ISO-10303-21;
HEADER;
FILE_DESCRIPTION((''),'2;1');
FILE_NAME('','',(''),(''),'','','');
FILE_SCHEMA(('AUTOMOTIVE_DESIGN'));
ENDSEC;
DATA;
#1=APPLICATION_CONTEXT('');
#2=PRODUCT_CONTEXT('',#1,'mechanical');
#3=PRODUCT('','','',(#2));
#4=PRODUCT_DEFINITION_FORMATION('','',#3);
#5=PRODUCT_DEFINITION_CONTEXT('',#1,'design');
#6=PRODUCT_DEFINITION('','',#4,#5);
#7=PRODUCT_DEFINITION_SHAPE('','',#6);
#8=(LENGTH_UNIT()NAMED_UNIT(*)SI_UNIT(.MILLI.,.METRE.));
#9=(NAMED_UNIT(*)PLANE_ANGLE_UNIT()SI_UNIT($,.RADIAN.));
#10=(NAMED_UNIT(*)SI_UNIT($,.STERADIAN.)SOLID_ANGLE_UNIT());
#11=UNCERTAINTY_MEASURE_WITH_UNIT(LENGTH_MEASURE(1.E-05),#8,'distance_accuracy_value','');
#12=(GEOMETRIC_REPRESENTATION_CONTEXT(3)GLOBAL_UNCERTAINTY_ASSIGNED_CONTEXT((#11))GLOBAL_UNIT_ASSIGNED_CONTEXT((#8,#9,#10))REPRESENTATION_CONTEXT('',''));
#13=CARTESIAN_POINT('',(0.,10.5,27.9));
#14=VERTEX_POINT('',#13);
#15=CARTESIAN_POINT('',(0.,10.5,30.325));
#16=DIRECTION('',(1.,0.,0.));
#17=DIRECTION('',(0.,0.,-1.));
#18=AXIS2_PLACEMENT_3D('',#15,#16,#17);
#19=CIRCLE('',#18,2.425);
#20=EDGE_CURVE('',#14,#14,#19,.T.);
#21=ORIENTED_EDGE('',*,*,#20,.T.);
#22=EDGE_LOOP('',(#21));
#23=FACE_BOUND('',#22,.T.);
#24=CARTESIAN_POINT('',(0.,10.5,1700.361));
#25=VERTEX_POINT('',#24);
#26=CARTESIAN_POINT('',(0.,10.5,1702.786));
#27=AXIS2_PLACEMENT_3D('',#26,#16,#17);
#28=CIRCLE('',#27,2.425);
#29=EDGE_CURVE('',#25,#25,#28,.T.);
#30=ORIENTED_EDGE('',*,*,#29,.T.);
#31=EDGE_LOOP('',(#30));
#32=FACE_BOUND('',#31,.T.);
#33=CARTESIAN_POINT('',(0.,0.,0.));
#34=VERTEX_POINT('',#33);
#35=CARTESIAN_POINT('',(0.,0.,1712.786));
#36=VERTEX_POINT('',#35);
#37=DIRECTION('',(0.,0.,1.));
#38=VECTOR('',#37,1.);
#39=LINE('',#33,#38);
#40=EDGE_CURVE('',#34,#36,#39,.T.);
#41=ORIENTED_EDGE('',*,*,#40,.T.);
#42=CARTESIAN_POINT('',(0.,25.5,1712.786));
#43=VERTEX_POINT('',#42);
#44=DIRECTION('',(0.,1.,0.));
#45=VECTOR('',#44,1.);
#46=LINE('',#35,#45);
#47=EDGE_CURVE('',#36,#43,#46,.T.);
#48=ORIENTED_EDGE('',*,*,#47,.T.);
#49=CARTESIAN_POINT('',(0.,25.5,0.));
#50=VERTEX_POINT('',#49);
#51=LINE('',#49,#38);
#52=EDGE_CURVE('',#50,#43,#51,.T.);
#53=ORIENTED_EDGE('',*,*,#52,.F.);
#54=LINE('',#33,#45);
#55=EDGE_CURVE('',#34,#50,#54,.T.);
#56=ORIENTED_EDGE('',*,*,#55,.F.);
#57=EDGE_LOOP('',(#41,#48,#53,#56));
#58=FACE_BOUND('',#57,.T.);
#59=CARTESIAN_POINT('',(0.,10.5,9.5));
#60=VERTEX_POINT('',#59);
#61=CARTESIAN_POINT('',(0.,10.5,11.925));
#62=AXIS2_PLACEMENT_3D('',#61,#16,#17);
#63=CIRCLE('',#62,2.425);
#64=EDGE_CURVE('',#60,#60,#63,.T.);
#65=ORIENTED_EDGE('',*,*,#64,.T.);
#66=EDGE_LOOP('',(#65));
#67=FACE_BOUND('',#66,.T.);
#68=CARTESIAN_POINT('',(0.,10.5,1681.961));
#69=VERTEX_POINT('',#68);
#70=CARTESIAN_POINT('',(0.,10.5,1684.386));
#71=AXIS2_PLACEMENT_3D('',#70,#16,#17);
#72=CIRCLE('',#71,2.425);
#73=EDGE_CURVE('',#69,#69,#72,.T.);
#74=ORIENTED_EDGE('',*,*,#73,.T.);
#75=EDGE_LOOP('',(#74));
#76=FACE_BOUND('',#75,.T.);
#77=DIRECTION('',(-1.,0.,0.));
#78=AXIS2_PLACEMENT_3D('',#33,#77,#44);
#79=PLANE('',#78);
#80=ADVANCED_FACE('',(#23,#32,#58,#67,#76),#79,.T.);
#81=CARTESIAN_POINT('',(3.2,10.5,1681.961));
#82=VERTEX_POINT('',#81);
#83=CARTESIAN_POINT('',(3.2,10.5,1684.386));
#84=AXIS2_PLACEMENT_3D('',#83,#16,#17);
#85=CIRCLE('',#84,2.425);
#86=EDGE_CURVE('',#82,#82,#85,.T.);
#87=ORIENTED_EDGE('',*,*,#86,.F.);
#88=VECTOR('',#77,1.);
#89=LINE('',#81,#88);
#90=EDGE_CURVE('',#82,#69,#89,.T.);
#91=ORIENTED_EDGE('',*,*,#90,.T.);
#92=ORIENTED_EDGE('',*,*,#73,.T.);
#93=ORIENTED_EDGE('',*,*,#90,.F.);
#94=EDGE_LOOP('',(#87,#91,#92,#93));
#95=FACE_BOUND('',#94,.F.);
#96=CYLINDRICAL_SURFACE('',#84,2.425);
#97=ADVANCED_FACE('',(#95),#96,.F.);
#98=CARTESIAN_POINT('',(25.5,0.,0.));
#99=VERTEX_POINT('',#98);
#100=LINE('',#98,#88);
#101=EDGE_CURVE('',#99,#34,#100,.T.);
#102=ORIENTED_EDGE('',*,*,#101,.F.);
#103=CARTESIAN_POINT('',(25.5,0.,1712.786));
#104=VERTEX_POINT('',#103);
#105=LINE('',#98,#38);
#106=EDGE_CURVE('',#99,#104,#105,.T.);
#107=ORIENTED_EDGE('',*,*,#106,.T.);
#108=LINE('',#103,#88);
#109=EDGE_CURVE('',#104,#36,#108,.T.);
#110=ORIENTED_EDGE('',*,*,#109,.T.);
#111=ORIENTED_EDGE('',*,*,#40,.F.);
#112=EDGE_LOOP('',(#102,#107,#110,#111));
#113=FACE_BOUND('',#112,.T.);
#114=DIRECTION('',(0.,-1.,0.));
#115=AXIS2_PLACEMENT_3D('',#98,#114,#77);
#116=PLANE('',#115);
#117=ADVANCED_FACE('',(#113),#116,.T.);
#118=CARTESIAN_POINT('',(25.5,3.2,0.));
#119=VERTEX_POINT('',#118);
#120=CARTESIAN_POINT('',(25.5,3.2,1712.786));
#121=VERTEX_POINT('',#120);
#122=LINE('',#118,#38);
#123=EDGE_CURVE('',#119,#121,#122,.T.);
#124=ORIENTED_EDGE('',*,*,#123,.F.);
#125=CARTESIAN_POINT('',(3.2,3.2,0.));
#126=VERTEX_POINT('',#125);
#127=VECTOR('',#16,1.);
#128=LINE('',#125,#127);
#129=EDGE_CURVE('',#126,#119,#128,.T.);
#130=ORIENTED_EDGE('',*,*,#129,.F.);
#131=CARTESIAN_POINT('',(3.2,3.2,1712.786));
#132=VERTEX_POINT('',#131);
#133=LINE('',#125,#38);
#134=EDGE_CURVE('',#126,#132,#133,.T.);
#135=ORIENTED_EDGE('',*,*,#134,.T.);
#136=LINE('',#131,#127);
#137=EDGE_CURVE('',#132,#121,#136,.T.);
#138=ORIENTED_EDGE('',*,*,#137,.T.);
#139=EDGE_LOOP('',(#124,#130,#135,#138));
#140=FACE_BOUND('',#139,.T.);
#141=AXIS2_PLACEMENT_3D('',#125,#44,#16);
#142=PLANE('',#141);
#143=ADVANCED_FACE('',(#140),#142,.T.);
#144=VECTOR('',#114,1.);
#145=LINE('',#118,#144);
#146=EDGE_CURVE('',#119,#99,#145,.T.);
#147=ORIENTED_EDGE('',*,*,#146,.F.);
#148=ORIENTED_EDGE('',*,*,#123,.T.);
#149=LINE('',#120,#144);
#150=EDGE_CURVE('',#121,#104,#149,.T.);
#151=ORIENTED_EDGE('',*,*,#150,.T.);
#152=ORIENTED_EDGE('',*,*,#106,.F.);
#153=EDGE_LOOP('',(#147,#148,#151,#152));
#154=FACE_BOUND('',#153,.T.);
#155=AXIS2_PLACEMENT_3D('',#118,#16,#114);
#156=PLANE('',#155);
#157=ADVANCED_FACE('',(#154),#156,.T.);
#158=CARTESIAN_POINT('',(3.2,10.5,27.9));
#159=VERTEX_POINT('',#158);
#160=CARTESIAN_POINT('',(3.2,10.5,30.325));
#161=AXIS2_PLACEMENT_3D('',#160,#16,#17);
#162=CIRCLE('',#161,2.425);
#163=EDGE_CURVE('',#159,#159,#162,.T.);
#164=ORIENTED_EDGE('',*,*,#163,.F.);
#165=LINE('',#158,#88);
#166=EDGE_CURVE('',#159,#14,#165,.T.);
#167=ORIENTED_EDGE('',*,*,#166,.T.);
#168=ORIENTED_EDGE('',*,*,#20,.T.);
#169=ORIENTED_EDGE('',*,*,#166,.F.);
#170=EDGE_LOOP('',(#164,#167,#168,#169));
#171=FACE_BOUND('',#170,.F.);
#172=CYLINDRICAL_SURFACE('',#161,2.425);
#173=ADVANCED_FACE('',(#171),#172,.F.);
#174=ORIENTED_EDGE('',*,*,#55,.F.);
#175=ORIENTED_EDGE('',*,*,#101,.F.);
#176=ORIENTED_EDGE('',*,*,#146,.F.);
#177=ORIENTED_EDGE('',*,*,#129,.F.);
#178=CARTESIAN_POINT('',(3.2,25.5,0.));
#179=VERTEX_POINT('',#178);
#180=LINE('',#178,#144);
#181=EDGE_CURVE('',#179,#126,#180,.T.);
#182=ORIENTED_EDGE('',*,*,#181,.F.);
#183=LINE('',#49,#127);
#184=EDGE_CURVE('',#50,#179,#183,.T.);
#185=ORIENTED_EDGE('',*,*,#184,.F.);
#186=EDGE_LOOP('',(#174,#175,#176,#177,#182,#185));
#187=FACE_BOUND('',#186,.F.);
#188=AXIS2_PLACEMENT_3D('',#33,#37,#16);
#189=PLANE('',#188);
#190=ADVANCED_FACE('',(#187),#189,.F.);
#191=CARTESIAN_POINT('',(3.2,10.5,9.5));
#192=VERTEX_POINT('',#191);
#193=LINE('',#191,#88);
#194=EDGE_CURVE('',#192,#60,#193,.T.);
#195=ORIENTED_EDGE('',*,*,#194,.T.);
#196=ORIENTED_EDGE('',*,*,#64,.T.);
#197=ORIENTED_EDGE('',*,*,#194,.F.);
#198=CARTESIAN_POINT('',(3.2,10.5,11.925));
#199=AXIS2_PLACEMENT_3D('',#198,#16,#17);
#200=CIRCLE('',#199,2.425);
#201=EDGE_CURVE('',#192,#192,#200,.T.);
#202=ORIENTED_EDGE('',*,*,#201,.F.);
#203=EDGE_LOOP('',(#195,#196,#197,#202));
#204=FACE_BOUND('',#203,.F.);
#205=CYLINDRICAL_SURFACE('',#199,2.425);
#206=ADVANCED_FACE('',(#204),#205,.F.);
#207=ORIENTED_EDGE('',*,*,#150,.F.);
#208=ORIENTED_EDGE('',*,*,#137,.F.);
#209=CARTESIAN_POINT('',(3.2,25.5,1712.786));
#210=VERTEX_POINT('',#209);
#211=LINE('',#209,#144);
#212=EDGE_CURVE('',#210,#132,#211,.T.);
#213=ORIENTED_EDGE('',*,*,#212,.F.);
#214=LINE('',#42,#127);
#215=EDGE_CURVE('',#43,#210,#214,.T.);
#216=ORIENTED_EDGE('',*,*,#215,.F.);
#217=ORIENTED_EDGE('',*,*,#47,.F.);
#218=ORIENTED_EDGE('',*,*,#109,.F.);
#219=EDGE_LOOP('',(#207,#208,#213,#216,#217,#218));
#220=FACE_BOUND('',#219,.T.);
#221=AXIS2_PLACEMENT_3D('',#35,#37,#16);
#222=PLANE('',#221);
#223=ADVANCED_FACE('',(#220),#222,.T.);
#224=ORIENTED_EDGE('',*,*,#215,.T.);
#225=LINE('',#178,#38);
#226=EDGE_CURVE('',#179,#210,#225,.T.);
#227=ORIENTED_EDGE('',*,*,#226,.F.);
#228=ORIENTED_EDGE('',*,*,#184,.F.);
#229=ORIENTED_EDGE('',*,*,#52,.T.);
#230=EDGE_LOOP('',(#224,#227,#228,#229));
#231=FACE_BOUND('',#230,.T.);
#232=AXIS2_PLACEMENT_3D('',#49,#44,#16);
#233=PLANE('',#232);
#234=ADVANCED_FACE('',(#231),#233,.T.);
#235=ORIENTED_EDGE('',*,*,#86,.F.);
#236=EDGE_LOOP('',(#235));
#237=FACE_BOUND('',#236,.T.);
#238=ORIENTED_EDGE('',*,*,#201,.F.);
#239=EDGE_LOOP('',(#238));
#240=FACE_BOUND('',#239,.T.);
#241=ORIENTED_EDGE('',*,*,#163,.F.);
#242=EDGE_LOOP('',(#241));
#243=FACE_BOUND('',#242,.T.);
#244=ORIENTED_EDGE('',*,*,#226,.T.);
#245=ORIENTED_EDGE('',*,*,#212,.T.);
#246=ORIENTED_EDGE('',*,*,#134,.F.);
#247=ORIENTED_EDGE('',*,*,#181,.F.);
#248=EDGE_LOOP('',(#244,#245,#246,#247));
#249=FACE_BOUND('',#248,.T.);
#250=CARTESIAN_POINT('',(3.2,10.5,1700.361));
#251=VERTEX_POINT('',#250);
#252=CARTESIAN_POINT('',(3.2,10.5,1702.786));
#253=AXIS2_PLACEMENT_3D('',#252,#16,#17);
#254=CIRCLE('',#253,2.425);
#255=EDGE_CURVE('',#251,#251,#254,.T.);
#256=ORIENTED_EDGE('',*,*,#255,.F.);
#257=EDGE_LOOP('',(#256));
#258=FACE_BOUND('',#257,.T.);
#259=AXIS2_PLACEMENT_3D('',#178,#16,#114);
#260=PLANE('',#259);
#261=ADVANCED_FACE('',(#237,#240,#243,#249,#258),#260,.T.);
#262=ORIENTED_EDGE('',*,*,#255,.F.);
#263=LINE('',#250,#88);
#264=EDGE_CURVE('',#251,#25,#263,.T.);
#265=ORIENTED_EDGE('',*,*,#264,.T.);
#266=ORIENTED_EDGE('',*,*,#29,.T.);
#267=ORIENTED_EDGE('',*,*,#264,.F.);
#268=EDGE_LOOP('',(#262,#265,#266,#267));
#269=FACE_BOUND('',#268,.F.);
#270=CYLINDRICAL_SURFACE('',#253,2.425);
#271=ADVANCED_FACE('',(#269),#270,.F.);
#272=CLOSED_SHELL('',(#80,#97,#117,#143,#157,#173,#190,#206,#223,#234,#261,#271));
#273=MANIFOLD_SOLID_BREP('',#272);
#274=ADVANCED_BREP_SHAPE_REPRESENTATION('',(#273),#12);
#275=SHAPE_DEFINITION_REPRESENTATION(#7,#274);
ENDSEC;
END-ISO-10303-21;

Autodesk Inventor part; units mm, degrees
ref_plane "YZ Plane" through (0, 0, 0) normal (1, 0, 0) x (0, 1, 0)
ref_plane "XZ Plane" through (0, 0, 0) normal (0, 1, 0) x (-1, 0, 0)
ref_plane "XY Plane" through (0, 0, 0) normal (0, 0, 1) x (1, 0, 0)
sketch "Sketch1" plane through (0, 0, 0) normal (0, 0, 1) x (1, 0, 0)
  line L0 (0, 0) -> (0, 25.5)
  line L1 (0, 25.5) -> (3.2, 25.5)
  line L2 (3.2, 25.5) -> (3.2, 3.2)
  line L3 (3.2, 3.2) -> (25.5, 3.2)
  line L4 (25.5, 3.2) -> (25.5, 0)
  line L5 (25.5, 0) -> (0, 0)
  dimension "d0" = 25.5
  dimension "d1" = 25.5
  dimension "d2" = 3.2
  dimension "d3" = 3.2
extrude "Extrusion1" add sketch "Sketch1" along normal blind 1712.786
sketch "Sketch3" plane through (3.2, 3.2, 0) normal (1, 0, 0) x (0, 0, -1)
  line L0 (0, 22.3) -> (0, 0) projected
  line L1 (0, 22.3) -> (-1712.786, 22.3) projected
  line L2 (-1712.786, 0) -> (-1712.786, 22.3) projected
  line L3 (0, 0) -> (-1712.786, 0) projected
  circle A0 centre (-11.925, 7.3) radius 2.425
  circle A1 centre (-30.325, 7.3) radius 2.425
  circle A2 centre (-1702.786, 7.3) radius 2.425
  circle A3 centre (-1684.386, 7.3) radius 2.425
  point P0 (0, -3.2)
  dimension "d20" = 4.85
  dimension "d21" = 4.85
  dimension "d22" = 15
  dimension "d24" = 11.925
  dimension "d28" = 4.85
  dimension "d30" = 10
  dimension "d32" = 15
  dimension "d33" = 18.4
  dimension "d34" = 18.4
  dimension "d35" = 15
  dimension "d36" = 15
  dimension "d37" = 4.85
extrude "Extrusion3" cut sketch "Sketch3" against normal blind 1300 contours A0 | A1 | A2 | A3
properties part number "Y_Rail-SquareBar-Rev3"
